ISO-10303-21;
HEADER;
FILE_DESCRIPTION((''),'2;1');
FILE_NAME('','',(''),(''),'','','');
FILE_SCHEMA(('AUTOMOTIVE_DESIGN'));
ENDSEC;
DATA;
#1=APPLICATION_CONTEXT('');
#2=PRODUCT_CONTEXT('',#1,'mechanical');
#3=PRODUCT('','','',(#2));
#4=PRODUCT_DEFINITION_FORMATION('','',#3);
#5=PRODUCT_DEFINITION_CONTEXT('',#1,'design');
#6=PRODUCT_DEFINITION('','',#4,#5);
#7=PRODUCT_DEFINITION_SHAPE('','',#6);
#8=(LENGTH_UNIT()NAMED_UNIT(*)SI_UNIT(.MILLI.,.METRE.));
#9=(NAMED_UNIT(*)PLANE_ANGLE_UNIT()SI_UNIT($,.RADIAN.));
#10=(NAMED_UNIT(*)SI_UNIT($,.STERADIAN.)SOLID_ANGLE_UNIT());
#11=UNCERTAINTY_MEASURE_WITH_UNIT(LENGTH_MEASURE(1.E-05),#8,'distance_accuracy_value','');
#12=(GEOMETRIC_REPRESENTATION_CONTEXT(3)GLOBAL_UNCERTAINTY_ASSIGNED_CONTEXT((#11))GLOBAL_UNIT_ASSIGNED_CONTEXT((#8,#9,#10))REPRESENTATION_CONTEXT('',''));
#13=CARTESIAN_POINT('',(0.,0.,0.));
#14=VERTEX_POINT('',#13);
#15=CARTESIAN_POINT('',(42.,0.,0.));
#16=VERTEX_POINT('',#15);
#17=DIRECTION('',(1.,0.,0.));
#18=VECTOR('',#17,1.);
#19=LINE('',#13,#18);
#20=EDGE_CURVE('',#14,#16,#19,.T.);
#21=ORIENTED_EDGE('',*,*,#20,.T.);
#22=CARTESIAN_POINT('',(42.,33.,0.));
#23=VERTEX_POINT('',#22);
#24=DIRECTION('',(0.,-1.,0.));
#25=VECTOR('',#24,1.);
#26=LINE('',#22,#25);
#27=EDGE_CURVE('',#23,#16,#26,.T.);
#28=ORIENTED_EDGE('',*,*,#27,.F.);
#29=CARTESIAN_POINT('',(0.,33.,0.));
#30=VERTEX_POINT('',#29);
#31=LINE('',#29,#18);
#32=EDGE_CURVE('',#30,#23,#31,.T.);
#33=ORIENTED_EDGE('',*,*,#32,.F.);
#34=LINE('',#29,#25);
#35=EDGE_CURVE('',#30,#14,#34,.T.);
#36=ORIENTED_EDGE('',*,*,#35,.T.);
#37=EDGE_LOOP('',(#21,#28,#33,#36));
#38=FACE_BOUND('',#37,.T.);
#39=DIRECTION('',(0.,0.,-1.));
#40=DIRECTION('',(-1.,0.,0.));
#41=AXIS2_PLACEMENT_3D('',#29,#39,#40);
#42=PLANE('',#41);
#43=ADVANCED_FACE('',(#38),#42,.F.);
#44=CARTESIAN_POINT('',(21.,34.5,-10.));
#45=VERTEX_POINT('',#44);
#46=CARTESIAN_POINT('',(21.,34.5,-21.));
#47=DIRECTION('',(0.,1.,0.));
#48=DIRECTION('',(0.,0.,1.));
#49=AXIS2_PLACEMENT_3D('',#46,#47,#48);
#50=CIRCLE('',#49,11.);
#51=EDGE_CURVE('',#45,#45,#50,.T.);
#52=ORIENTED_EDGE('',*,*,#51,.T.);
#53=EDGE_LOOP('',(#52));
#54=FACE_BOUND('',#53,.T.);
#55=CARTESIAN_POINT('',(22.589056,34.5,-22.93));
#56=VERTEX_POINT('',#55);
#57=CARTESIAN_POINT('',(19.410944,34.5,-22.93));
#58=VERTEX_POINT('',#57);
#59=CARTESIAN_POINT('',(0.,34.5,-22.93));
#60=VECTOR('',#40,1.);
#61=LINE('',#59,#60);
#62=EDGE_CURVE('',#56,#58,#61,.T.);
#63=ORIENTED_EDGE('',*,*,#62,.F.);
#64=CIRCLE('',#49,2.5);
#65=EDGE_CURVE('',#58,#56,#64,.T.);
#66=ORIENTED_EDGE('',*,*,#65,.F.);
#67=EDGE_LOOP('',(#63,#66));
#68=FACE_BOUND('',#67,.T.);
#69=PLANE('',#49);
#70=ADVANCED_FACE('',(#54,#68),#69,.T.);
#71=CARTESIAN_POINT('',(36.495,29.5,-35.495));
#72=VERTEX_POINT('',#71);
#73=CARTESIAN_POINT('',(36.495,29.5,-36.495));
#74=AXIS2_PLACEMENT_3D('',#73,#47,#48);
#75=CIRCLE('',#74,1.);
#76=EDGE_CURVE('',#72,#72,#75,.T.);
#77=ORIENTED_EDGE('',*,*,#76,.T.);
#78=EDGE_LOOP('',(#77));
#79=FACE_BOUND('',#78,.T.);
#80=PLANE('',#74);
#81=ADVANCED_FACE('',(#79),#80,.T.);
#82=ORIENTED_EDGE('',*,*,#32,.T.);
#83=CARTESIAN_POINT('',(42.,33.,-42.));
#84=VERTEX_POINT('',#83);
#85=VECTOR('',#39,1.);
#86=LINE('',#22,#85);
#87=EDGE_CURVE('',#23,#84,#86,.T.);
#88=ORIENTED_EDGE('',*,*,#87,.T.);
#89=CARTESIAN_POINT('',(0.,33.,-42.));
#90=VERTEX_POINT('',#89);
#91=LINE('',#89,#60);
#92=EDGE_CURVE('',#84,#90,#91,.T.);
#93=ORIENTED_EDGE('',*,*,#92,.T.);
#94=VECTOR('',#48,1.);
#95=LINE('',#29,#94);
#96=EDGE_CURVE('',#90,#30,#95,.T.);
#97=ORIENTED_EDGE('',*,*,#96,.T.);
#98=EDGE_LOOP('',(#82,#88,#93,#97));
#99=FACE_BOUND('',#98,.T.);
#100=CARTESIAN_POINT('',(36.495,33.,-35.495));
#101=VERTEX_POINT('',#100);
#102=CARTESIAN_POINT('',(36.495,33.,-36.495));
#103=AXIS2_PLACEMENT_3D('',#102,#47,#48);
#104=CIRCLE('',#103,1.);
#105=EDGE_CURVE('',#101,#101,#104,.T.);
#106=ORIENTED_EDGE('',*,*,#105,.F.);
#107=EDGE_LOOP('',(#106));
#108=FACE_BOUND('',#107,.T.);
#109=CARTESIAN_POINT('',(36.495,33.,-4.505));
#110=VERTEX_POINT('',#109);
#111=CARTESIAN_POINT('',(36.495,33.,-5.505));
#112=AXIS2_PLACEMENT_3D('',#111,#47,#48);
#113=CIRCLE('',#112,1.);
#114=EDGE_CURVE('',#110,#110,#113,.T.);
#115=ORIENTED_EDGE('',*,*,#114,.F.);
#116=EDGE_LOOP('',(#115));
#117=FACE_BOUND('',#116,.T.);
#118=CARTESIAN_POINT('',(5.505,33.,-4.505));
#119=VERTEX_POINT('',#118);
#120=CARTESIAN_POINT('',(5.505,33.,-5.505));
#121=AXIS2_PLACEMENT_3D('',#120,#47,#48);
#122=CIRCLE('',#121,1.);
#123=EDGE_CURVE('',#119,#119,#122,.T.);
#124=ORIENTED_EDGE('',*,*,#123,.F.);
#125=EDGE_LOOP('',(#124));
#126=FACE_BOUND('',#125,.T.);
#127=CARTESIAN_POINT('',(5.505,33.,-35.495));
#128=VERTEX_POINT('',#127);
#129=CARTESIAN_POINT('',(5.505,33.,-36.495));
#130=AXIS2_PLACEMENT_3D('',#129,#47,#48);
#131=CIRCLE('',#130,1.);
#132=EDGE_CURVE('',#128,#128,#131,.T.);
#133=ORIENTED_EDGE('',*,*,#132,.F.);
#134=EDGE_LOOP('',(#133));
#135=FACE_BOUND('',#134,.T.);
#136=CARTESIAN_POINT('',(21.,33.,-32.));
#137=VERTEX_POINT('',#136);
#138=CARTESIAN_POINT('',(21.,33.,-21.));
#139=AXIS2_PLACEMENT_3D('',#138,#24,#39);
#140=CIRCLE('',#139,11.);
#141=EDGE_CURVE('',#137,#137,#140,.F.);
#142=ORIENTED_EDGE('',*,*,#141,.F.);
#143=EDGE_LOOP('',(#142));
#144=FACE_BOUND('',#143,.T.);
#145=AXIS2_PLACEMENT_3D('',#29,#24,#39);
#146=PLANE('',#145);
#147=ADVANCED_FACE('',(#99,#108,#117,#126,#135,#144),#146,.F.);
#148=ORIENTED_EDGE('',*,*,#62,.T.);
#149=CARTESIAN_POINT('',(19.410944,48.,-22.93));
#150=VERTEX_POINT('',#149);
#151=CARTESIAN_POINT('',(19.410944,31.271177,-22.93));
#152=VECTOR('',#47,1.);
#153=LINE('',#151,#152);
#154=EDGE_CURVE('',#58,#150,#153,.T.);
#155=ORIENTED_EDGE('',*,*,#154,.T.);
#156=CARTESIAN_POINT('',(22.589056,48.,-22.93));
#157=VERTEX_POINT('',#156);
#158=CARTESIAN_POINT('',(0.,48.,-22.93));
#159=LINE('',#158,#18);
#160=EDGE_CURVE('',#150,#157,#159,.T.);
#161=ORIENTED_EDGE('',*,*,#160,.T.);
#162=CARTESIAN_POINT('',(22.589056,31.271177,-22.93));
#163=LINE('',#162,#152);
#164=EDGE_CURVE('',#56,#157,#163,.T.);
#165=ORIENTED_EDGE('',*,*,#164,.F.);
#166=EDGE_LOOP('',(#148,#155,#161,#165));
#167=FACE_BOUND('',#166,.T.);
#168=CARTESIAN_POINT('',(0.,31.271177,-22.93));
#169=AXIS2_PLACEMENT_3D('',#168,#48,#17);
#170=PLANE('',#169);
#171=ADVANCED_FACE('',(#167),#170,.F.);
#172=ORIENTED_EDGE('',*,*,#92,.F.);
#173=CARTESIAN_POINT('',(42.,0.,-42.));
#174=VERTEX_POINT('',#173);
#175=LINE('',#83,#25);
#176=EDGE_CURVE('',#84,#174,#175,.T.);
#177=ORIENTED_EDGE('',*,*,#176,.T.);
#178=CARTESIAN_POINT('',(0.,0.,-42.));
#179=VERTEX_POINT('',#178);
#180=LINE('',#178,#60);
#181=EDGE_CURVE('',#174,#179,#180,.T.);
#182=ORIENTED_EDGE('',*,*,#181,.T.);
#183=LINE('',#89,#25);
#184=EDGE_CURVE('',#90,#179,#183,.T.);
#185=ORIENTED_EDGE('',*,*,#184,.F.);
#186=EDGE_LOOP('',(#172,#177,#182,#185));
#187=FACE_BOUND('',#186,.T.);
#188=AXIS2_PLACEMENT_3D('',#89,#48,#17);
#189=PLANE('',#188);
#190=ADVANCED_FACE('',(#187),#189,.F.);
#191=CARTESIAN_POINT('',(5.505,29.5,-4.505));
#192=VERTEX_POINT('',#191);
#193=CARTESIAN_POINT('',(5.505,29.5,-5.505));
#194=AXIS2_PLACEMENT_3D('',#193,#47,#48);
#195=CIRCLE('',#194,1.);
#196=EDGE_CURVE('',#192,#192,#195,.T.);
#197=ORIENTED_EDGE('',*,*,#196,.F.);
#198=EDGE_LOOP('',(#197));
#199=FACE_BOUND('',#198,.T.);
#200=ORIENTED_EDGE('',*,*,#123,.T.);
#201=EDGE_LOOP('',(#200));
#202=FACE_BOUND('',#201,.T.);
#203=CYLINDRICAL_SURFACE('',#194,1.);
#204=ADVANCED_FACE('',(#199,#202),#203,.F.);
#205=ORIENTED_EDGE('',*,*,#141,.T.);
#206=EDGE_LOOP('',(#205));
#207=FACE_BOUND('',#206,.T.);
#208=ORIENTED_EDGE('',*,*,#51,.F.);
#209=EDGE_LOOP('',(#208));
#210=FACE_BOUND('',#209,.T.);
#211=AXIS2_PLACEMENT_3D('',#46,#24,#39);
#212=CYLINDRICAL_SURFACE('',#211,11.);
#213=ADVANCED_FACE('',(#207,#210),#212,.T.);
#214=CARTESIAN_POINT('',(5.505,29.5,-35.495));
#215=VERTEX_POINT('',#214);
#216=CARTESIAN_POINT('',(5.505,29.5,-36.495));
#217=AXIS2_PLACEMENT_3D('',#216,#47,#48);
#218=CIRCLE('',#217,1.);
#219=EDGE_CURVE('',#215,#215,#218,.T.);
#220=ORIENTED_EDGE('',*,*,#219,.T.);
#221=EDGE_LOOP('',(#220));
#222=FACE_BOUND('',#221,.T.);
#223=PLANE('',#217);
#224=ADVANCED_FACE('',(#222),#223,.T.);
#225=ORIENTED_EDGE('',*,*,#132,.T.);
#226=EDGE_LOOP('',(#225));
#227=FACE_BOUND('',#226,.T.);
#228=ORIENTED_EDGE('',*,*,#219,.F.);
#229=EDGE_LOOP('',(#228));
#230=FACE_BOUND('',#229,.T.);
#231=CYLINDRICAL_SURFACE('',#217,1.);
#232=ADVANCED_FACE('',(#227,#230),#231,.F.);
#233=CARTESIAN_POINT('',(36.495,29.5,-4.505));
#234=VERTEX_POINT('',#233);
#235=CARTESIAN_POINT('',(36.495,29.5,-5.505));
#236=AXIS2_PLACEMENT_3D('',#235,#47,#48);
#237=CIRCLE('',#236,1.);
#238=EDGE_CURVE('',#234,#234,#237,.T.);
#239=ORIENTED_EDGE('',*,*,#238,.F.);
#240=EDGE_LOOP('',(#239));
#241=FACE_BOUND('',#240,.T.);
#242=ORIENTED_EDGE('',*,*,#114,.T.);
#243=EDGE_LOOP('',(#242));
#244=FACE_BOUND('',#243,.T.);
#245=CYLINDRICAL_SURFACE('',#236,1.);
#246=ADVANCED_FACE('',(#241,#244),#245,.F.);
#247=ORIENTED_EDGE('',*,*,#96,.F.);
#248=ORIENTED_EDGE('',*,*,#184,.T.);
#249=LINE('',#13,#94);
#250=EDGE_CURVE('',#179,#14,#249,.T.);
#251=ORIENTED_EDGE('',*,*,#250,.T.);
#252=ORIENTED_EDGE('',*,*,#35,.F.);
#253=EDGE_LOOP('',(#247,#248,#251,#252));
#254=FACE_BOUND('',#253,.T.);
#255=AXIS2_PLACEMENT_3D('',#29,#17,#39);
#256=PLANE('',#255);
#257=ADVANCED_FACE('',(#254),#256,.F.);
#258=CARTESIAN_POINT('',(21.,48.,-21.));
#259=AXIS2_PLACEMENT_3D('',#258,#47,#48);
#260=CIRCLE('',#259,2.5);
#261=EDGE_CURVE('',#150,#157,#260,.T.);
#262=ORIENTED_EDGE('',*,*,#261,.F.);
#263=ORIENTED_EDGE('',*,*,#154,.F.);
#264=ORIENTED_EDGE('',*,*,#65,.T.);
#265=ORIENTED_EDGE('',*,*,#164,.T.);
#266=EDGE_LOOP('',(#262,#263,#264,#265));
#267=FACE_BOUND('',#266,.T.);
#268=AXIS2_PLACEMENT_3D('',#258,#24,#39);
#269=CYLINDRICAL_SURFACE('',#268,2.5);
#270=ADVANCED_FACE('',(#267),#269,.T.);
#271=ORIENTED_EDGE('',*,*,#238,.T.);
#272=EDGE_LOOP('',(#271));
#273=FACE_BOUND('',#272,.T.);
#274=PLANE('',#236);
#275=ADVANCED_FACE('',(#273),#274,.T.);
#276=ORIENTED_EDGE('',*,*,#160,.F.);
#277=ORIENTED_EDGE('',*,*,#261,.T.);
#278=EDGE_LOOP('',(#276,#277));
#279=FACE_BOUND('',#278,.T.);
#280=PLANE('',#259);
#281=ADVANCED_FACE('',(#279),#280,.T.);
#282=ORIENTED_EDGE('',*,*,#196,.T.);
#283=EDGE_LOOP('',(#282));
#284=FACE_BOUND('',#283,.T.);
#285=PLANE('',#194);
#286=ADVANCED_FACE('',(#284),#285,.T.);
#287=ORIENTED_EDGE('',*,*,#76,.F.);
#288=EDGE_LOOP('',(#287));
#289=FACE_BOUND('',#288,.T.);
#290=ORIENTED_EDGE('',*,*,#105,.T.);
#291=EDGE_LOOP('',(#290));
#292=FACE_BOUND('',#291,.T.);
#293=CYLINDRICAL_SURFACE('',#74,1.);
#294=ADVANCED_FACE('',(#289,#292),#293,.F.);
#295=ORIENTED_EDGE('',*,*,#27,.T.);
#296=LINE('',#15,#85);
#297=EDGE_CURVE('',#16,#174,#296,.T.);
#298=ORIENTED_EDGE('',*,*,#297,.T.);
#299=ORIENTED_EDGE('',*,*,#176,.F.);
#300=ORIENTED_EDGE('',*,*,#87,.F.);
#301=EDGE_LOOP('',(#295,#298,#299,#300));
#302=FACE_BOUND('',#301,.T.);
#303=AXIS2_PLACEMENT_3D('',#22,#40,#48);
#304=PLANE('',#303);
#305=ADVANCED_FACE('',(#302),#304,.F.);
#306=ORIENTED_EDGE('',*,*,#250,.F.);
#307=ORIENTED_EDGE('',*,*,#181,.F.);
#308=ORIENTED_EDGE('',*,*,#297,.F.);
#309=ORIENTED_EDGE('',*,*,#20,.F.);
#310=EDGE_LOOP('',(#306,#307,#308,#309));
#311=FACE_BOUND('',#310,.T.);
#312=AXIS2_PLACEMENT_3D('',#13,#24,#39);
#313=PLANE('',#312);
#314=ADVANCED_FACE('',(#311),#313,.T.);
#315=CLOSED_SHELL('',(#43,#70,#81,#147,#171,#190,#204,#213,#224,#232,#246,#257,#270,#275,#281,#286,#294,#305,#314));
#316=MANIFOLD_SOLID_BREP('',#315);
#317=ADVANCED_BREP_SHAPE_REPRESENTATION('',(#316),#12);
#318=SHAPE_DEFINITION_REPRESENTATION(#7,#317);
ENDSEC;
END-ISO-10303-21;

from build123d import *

# Parameters (mm, degrees)
SKETCH1_W           = 42
SKETCH1_H           = 42
BOSS_EXTRUDE1_DEPTH = 33
SKETCH2_R           = 1
CUT_EXTRUDE1_DEPTH  = 3.5
SKETCH3_R           = 11
BOSS_EXTRUDE2_DEPTH = 1.5
SKETCH4_R           = 2.5
BOSS_EXTRUDE3_DEPTH = 13.5
CUT_EXTRUDE2_START  = -13.5
CUT_EXTRUDE2_DEPTH  = 13.5


with BuildPart() as part:
    # Sketch1 → Boss-Extrude1 (new body)
    with BuildSketch(Plane(origin=(0, 0, 0), x_dir=(1, 0, 0), z_dir=(0, 1, 0))):
        with Locations((21, 21)):
            Rectangle(SKETCH1_W, SKETCH1_H)
    extrude(amount=BOSS_EXTRUDE1_DEPTH)

    # Sketch2 → Cut-Extrude1 (cut)
    with BuildSketch(Plane(origin=(0, 33, 0), x_dir=(1, 0, 0), z_dir=(0, 1, 0))):
        with Locations(Location((5.505, 36.495, 0), (0, 0, 270))):
            Circle(SKETCH2_R)
        with Locations(Location((36.495, 36.495, 0), (0, 0, 270))):
            Circle(SKETCH2_R)
        with Locations(Location((36.495, 5.505, 0), (0, 0, 270))):
            Circle(SKETCH2_R)
        with Locations(Location((5.505, 5.505, 0), (0, 0, 270))):
            Circle(SKETCH2_R)
    extrude(amount=-CUT_EXTRUDE1_DEPTH, mode=Mode.SUBTRACT)

    # Sketch3 → Boss-Extrude2 (add)
    with BuildSketch(Plane(origin=(0, 33, 0), x_dir=(1, 0, 0), z_dir=(0, 1, 0))):
        with Locations(Location((21, 21, 0), (0, 0, 90))):
            Circle(SKETCH3_R)
    extrude(amount=BOSS_EXTRUDE2_DEPTH)

    # Sketch4 → Boss-Extrude3 (add)
    with BuildSketch(Plane(origin=(0, 34.5, 0), x_dir=(1, 0, 0), z_dir=(0, 1, 0))):
        with Locations(Location((21, 21, 0), (0, 0, 270))):
            Circle(SKETCH4_R)
    extrude(amount=BOSS_EXTRUDE3_DEPTH)

    # Sketch5 → Cut-Extrude2 (cut)
    with BuildSketch(Plane(origin=(0, 48, 0), x_dir=(1, 0, 0), z_dir=(0, 1, 0)).offset(CUT_EXTRUDE2_START)):
        with BuildLine():
            Line((19.410943676, 22.93), (22.589056324, 22.93))
            ThreePointArc((22.589056324, 22.93), (21, 23.5), (19.410943676, 22.93))
        make_face()
    extrude(amount=CUT_EXTRUDE2_DEPTH, mode=Mode.SUBTRACT)


solid = part.part
